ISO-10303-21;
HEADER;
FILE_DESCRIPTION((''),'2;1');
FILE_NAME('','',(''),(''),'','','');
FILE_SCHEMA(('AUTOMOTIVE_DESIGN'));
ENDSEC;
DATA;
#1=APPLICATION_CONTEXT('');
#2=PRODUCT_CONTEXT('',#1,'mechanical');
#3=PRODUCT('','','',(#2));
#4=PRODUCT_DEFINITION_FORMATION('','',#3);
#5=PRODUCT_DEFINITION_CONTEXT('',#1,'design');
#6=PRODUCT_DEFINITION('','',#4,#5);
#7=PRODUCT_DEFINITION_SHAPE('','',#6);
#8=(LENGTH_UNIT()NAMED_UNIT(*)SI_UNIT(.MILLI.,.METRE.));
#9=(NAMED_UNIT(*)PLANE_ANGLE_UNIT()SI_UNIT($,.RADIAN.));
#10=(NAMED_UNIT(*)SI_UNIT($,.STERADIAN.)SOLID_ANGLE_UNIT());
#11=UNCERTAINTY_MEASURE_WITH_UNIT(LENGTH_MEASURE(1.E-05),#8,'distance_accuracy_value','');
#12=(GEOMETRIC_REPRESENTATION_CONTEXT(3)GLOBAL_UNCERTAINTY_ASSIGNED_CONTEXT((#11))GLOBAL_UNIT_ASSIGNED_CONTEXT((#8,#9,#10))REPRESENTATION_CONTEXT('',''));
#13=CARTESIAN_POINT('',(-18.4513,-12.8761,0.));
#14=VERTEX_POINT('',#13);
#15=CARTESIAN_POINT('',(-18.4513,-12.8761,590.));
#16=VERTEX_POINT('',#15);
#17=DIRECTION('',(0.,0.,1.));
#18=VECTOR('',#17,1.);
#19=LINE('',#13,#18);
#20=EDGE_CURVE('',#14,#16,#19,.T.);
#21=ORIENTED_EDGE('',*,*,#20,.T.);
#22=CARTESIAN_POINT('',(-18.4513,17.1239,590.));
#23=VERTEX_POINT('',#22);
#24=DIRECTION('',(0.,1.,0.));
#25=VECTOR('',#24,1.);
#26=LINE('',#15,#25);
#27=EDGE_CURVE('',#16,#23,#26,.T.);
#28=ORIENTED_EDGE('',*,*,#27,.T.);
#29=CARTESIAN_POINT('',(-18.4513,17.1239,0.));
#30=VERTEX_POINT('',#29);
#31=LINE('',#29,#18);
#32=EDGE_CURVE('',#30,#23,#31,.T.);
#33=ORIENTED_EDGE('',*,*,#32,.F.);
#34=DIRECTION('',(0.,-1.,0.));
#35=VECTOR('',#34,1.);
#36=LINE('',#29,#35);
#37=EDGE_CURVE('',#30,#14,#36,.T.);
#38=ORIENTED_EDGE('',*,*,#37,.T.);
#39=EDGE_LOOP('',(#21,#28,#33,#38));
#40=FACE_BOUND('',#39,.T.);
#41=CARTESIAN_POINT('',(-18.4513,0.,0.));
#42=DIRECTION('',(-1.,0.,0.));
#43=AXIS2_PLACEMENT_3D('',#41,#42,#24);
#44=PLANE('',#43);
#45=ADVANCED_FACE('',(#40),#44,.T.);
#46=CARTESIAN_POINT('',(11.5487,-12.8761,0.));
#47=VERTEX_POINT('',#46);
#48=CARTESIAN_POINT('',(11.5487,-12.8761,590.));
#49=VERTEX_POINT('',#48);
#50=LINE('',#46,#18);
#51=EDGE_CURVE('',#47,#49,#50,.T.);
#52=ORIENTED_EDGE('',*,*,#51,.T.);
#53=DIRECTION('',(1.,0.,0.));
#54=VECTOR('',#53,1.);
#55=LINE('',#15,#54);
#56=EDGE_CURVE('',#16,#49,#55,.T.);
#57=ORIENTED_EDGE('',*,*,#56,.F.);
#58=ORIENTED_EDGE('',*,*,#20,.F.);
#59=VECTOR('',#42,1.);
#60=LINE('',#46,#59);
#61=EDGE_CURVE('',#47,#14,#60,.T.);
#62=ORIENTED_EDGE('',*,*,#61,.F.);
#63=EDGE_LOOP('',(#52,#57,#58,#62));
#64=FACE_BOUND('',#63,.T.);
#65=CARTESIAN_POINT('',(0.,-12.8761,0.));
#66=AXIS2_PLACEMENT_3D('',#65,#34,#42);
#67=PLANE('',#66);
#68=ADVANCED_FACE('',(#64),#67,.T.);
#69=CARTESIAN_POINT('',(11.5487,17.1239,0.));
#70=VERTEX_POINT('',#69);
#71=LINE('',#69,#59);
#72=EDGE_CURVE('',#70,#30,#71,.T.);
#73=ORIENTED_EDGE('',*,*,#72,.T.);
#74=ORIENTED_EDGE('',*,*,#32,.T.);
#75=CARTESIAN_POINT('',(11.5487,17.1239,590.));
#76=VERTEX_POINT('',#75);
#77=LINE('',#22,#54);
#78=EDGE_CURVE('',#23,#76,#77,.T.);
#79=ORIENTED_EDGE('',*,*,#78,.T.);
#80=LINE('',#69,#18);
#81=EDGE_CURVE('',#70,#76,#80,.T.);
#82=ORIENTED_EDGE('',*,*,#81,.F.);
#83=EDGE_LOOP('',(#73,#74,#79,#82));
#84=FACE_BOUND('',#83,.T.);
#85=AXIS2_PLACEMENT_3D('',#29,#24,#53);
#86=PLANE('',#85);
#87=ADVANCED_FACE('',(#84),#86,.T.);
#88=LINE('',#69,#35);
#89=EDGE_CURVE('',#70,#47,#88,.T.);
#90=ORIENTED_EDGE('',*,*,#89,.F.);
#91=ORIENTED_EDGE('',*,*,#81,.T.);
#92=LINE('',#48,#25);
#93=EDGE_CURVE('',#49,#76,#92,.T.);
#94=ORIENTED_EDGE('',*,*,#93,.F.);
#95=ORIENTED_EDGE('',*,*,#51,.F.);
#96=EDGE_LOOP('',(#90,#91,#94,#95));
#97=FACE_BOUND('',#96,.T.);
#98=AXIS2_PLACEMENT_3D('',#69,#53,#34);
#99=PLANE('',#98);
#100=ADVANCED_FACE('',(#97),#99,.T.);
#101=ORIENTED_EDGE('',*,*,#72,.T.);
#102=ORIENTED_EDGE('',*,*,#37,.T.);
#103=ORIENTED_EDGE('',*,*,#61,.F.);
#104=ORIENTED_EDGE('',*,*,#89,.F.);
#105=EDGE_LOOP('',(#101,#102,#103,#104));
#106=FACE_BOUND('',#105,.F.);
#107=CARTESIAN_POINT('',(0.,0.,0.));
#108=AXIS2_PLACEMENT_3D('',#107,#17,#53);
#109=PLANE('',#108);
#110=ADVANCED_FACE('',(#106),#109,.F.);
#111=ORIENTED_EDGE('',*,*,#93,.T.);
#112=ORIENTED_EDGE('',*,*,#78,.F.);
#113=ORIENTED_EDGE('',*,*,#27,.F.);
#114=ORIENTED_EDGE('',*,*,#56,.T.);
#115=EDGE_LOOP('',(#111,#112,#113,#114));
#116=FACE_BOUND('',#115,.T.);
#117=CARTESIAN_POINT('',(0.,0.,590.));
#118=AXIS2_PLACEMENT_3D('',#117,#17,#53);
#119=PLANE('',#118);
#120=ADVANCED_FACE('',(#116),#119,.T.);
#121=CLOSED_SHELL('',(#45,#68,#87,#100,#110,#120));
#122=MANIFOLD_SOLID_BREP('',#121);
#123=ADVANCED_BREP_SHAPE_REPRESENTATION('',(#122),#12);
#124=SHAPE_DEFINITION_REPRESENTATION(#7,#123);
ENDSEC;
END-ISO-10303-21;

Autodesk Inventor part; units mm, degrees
ref_plane "YZ Plane" through (0, 0, 0) normal (1, 0, 0) x (0, 1, 0)
ref_plane "XZ Plane" through (0, 0, 0) normal (0, 1, 0) x (-1, 0, 0)
ref_plane "XY Plane" through (0, 0, 0) normal (0, 0, 1) x (1, 0, 0)
sketch "Skizze1" plane through (0, 0, 0) normal (0, 0, 1) x (1, 0, 0)
  line L0 (-24.4513, 0) -> (17.5487, 0) projected
  line L1 (0, -18.8761) -> (0, 23.1239) projected
  line L2 (11.5487, -12.8761) -> (-18.4513, -12.8761)
  line L3 (-18.4513, -12.8761) -> (-18.4513, 17.1239)
  line L4 (-18.4513, 17.1239) -> (11.5487, 17.1239)
  line L5 (11.5487, 17.1239) -> (11.5487, -12.8761)
  point P0 (0, 0)
  dimension "d0" = 30
  dimension "d1" = 30
extrude "Extrusion1" add sketch "Skizze1" along normal blind 590
properties part number "Träger Seiten"
